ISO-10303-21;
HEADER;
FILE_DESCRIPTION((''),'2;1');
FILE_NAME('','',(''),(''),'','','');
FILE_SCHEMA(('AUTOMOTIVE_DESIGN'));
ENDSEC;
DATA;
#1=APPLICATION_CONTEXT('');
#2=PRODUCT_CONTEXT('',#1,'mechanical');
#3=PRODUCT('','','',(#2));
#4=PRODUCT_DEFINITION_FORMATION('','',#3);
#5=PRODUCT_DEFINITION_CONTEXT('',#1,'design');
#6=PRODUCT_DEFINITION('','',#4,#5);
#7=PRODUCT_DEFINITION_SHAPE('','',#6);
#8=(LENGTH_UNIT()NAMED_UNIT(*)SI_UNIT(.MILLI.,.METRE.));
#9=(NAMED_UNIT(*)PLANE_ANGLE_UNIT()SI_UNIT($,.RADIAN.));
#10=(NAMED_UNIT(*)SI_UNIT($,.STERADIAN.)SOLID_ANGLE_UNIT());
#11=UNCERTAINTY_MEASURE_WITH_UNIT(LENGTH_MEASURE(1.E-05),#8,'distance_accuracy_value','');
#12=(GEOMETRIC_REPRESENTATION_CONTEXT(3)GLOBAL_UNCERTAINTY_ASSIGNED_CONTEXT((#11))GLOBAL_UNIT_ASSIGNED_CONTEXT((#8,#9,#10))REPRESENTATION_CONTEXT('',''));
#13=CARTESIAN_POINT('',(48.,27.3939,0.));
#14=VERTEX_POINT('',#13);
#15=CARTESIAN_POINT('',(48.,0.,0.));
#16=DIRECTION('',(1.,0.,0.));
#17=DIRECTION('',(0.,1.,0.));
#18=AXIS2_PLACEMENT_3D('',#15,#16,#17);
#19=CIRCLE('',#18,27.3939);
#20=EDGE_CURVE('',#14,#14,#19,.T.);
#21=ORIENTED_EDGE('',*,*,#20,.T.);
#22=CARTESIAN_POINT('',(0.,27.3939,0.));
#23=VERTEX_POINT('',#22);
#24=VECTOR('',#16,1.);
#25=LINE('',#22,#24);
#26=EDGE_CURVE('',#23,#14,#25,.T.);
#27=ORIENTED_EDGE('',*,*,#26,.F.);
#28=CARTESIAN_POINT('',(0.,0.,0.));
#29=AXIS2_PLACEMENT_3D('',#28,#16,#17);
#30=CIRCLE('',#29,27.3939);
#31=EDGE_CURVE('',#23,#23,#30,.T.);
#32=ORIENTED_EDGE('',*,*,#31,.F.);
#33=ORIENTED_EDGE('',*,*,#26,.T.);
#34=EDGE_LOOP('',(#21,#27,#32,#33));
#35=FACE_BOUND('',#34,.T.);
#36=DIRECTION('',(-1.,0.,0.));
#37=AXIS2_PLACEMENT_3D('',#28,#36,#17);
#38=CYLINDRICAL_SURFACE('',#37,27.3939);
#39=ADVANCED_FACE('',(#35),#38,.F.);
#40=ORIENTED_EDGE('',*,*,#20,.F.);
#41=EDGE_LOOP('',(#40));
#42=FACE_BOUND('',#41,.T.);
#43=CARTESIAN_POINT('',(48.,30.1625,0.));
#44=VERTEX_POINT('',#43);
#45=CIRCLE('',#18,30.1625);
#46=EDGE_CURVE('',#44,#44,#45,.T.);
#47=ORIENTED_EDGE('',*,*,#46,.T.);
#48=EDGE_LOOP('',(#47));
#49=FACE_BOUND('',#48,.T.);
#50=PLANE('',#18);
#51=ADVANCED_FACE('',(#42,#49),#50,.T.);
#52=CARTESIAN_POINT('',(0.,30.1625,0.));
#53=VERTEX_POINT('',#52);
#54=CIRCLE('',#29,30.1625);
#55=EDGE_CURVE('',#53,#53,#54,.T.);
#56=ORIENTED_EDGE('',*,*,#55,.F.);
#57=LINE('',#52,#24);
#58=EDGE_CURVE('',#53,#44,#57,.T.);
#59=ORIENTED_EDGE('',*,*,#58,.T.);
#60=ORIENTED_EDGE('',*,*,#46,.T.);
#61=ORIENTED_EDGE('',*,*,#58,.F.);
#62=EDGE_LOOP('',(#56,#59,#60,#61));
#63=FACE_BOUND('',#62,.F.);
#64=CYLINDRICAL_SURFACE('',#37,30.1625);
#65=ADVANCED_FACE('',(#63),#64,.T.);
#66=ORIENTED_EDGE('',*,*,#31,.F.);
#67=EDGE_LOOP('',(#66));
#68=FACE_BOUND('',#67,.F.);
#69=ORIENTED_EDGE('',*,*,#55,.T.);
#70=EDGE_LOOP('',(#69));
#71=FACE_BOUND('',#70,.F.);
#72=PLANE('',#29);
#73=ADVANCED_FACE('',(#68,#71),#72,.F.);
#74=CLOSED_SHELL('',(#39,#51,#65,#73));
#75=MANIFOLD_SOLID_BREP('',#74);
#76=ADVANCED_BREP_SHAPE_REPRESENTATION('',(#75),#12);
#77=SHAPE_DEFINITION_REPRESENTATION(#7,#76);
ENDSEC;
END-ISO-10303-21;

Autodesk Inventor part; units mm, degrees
ref_plane "YZ Plane" through (0, 0, 0) normal (1, 0, 0) x (0, 1, 0)
ref_plane "XZ Plane" through (0, 0, 0) normal (0, 1, 0) x (-1, 0, 0)
ref_plane "XY Plane" through (0, 0, 0) normal (0, 0, 1) x (1, 0, 0)
sketch "Sketch1" plane through (0, 0, 0) normal (1, 0, 0) x (0, 1, 0)
  circle A0 centre (0, 0) radius 30.1625
  circle A1 centre (0, 0) radius 27.3939
  dimension "d0" = 60.325
  dimension "d1" = 2.7686
extrude "Extrusion1" add sketch "Sketch1" along normal blind 48
equation "\"d0\" = OD"
equation "\"d1\" = t"
equation "\"d2\" = L"
equation "\"OD\" = 60.325"
equation "\"t\" = 2.7686"
equation "\"L\" = EPL"
equation "\"ID\" = 54.7878"
equation "\"EPL\" = PL + GD"
equation "\"Size_Designation\" = 1.2345"
equation "\"OPL\" = 48.4"
equation "\"GD\" = 0"
equation "\"PL\" = 48"
properties material "Stainless Steel"
